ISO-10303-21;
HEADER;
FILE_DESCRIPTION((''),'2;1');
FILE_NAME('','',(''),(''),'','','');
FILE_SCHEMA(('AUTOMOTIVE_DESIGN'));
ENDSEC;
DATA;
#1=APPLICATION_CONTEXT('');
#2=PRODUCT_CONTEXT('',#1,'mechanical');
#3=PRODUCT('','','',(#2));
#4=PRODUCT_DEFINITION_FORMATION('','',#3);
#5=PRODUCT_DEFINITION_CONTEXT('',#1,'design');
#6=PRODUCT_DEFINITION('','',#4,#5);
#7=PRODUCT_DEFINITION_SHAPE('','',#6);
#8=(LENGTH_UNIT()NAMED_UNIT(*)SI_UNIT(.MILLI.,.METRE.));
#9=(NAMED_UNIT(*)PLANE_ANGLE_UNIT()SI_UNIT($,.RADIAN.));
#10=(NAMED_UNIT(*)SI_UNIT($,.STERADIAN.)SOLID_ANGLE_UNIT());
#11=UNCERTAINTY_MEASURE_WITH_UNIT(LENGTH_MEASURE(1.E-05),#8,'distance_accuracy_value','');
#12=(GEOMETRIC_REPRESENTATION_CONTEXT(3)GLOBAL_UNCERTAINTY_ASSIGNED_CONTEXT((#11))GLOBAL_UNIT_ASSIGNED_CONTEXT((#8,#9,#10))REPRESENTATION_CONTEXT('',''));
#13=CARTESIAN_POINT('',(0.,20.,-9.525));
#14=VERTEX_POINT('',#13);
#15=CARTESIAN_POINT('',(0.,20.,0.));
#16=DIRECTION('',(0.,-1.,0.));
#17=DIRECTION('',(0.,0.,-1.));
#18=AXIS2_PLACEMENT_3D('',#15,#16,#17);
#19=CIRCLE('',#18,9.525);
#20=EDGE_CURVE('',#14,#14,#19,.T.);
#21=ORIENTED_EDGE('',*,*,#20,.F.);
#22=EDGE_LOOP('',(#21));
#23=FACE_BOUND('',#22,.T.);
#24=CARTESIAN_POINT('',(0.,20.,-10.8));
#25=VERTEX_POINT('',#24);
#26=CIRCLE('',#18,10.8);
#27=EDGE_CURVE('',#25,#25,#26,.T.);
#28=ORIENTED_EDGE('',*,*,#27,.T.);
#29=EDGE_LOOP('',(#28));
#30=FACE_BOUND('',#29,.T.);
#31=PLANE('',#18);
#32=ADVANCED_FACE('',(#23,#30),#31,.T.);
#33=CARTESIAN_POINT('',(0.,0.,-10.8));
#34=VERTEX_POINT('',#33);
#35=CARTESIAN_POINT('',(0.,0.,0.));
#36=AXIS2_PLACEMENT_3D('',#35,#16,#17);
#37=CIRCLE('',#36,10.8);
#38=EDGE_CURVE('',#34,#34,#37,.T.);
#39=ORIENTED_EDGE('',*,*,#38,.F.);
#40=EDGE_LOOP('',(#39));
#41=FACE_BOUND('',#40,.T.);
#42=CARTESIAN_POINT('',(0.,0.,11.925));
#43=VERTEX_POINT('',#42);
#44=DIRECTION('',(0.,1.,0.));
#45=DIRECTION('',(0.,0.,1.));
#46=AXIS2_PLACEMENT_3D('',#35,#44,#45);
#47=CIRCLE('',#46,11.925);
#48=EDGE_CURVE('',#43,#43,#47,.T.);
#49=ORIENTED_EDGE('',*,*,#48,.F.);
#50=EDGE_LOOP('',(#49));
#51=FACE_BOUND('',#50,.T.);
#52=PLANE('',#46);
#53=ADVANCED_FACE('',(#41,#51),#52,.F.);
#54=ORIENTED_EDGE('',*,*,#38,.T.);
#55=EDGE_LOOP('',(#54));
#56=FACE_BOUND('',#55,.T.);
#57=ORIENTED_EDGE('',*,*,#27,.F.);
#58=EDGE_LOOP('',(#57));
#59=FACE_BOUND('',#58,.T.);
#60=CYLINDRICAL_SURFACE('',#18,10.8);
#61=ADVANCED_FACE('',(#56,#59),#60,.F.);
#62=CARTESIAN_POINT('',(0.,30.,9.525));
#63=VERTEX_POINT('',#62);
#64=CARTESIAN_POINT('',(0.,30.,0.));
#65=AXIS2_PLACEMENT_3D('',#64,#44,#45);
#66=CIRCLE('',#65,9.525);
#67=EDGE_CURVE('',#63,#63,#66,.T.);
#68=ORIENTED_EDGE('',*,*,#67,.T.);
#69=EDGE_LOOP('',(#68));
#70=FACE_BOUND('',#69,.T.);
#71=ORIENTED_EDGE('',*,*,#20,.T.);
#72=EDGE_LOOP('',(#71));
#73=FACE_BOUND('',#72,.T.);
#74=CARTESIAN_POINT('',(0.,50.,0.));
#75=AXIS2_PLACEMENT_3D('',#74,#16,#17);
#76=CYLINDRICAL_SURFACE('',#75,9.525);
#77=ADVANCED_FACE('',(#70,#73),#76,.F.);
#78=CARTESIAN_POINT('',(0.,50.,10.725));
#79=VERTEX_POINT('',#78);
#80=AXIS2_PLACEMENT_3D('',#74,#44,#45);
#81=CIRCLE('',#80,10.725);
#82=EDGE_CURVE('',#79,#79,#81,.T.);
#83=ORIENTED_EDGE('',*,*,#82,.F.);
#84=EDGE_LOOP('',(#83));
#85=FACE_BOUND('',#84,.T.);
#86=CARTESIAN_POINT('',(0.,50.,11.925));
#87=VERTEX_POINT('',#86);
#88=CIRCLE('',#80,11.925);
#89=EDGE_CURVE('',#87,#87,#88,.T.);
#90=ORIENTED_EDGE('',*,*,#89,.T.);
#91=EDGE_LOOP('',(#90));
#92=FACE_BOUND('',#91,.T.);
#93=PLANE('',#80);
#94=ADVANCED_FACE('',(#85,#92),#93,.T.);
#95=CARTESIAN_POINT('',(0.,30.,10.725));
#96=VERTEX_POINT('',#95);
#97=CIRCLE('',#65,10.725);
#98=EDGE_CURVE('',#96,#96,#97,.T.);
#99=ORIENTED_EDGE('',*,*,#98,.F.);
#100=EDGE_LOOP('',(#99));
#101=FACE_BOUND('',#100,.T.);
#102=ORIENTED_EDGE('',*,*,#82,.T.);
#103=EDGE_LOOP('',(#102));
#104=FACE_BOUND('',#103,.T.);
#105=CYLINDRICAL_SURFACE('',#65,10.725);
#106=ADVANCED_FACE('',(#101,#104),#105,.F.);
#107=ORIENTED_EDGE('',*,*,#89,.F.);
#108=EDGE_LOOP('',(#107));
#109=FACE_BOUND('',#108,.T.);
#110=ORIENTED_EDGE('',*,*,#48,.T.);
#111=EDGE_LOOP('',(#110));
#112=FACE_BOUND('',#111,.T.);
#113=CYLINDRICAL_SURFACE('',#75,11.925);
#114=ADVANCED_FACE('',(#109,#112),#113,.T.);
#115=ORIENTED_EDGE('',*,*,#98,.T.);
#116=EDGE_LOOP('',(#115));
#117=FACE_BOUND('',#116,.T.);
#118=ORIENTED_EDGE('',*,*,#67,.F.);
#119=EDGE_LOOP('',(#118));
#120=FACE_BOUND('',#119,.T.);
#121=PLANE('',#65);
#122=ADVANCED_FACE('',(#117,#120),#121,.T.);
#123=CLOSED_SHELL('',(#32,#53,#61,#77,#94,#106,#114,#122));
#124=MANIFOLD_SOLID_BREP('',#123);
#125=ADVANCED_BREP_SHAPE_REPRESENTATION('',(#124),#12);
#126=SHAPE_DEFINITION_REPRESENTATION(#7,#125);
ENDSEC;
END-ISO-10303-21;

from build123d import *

# Parameters (mm, degrees)
SKETCH1_R           = 11.925
SKETCH1_R_2         = 9.525
BOSS_EXTRUDE1_DEPTH = 50
SKETCH2_R           = 10.8
CUT_EXTRUDE1_DEPTH  = 20
SKETCH3_R           = 10.725
CUT_EXTRUDE2_DEPTH  = 20


with BuildPart() as part:
    # Sketch1 → Boss-Extrude1 (new body)
    with BuildSketch(Plane(origin=(0, 0, 0), x_dir=(1, 0, 0), z_dir=(0, 1, 0))):
        with Locations(Location((0, 0, 0), (0, 0, 270))):
            Circle(SKETCH1_R)
        with Locations(Location((0, 0, 0), (0, 0, 270))):
            Circle(SKETCH1_R_2, mode=Mode.SUBTRACT)
    extrude(amount=BOSS_EXTRUDE1_DEPTH)

    # Sketch2 → Cut-Extrude1 (cut)
    with BuildSketch(Plane.XZ):
        with Locations(Location((0, 0, 0), (0, 0, 270))):
            Circle(SKETCH2_R)
    extrude(amount=-CUT_EXTRUDE1_DEPTH, mode=Mode.SUBTRACT)

    # Sketch3 → Cut-Extrude2 (cut)
    with BuildSketch(Plane(origin=(0, 50, 0), x_dir=(1, 0, 0), z_dir=(0, 1, 0))):
        with Locations(Location((0, 0, 0), (0, 0, 270))):
            Circle(SKETCH3_R)
    extrude(amount=-CUT_EXTRUDE2_DEPTH, mode=Mode.SUBTRACT)


solid = part.part
